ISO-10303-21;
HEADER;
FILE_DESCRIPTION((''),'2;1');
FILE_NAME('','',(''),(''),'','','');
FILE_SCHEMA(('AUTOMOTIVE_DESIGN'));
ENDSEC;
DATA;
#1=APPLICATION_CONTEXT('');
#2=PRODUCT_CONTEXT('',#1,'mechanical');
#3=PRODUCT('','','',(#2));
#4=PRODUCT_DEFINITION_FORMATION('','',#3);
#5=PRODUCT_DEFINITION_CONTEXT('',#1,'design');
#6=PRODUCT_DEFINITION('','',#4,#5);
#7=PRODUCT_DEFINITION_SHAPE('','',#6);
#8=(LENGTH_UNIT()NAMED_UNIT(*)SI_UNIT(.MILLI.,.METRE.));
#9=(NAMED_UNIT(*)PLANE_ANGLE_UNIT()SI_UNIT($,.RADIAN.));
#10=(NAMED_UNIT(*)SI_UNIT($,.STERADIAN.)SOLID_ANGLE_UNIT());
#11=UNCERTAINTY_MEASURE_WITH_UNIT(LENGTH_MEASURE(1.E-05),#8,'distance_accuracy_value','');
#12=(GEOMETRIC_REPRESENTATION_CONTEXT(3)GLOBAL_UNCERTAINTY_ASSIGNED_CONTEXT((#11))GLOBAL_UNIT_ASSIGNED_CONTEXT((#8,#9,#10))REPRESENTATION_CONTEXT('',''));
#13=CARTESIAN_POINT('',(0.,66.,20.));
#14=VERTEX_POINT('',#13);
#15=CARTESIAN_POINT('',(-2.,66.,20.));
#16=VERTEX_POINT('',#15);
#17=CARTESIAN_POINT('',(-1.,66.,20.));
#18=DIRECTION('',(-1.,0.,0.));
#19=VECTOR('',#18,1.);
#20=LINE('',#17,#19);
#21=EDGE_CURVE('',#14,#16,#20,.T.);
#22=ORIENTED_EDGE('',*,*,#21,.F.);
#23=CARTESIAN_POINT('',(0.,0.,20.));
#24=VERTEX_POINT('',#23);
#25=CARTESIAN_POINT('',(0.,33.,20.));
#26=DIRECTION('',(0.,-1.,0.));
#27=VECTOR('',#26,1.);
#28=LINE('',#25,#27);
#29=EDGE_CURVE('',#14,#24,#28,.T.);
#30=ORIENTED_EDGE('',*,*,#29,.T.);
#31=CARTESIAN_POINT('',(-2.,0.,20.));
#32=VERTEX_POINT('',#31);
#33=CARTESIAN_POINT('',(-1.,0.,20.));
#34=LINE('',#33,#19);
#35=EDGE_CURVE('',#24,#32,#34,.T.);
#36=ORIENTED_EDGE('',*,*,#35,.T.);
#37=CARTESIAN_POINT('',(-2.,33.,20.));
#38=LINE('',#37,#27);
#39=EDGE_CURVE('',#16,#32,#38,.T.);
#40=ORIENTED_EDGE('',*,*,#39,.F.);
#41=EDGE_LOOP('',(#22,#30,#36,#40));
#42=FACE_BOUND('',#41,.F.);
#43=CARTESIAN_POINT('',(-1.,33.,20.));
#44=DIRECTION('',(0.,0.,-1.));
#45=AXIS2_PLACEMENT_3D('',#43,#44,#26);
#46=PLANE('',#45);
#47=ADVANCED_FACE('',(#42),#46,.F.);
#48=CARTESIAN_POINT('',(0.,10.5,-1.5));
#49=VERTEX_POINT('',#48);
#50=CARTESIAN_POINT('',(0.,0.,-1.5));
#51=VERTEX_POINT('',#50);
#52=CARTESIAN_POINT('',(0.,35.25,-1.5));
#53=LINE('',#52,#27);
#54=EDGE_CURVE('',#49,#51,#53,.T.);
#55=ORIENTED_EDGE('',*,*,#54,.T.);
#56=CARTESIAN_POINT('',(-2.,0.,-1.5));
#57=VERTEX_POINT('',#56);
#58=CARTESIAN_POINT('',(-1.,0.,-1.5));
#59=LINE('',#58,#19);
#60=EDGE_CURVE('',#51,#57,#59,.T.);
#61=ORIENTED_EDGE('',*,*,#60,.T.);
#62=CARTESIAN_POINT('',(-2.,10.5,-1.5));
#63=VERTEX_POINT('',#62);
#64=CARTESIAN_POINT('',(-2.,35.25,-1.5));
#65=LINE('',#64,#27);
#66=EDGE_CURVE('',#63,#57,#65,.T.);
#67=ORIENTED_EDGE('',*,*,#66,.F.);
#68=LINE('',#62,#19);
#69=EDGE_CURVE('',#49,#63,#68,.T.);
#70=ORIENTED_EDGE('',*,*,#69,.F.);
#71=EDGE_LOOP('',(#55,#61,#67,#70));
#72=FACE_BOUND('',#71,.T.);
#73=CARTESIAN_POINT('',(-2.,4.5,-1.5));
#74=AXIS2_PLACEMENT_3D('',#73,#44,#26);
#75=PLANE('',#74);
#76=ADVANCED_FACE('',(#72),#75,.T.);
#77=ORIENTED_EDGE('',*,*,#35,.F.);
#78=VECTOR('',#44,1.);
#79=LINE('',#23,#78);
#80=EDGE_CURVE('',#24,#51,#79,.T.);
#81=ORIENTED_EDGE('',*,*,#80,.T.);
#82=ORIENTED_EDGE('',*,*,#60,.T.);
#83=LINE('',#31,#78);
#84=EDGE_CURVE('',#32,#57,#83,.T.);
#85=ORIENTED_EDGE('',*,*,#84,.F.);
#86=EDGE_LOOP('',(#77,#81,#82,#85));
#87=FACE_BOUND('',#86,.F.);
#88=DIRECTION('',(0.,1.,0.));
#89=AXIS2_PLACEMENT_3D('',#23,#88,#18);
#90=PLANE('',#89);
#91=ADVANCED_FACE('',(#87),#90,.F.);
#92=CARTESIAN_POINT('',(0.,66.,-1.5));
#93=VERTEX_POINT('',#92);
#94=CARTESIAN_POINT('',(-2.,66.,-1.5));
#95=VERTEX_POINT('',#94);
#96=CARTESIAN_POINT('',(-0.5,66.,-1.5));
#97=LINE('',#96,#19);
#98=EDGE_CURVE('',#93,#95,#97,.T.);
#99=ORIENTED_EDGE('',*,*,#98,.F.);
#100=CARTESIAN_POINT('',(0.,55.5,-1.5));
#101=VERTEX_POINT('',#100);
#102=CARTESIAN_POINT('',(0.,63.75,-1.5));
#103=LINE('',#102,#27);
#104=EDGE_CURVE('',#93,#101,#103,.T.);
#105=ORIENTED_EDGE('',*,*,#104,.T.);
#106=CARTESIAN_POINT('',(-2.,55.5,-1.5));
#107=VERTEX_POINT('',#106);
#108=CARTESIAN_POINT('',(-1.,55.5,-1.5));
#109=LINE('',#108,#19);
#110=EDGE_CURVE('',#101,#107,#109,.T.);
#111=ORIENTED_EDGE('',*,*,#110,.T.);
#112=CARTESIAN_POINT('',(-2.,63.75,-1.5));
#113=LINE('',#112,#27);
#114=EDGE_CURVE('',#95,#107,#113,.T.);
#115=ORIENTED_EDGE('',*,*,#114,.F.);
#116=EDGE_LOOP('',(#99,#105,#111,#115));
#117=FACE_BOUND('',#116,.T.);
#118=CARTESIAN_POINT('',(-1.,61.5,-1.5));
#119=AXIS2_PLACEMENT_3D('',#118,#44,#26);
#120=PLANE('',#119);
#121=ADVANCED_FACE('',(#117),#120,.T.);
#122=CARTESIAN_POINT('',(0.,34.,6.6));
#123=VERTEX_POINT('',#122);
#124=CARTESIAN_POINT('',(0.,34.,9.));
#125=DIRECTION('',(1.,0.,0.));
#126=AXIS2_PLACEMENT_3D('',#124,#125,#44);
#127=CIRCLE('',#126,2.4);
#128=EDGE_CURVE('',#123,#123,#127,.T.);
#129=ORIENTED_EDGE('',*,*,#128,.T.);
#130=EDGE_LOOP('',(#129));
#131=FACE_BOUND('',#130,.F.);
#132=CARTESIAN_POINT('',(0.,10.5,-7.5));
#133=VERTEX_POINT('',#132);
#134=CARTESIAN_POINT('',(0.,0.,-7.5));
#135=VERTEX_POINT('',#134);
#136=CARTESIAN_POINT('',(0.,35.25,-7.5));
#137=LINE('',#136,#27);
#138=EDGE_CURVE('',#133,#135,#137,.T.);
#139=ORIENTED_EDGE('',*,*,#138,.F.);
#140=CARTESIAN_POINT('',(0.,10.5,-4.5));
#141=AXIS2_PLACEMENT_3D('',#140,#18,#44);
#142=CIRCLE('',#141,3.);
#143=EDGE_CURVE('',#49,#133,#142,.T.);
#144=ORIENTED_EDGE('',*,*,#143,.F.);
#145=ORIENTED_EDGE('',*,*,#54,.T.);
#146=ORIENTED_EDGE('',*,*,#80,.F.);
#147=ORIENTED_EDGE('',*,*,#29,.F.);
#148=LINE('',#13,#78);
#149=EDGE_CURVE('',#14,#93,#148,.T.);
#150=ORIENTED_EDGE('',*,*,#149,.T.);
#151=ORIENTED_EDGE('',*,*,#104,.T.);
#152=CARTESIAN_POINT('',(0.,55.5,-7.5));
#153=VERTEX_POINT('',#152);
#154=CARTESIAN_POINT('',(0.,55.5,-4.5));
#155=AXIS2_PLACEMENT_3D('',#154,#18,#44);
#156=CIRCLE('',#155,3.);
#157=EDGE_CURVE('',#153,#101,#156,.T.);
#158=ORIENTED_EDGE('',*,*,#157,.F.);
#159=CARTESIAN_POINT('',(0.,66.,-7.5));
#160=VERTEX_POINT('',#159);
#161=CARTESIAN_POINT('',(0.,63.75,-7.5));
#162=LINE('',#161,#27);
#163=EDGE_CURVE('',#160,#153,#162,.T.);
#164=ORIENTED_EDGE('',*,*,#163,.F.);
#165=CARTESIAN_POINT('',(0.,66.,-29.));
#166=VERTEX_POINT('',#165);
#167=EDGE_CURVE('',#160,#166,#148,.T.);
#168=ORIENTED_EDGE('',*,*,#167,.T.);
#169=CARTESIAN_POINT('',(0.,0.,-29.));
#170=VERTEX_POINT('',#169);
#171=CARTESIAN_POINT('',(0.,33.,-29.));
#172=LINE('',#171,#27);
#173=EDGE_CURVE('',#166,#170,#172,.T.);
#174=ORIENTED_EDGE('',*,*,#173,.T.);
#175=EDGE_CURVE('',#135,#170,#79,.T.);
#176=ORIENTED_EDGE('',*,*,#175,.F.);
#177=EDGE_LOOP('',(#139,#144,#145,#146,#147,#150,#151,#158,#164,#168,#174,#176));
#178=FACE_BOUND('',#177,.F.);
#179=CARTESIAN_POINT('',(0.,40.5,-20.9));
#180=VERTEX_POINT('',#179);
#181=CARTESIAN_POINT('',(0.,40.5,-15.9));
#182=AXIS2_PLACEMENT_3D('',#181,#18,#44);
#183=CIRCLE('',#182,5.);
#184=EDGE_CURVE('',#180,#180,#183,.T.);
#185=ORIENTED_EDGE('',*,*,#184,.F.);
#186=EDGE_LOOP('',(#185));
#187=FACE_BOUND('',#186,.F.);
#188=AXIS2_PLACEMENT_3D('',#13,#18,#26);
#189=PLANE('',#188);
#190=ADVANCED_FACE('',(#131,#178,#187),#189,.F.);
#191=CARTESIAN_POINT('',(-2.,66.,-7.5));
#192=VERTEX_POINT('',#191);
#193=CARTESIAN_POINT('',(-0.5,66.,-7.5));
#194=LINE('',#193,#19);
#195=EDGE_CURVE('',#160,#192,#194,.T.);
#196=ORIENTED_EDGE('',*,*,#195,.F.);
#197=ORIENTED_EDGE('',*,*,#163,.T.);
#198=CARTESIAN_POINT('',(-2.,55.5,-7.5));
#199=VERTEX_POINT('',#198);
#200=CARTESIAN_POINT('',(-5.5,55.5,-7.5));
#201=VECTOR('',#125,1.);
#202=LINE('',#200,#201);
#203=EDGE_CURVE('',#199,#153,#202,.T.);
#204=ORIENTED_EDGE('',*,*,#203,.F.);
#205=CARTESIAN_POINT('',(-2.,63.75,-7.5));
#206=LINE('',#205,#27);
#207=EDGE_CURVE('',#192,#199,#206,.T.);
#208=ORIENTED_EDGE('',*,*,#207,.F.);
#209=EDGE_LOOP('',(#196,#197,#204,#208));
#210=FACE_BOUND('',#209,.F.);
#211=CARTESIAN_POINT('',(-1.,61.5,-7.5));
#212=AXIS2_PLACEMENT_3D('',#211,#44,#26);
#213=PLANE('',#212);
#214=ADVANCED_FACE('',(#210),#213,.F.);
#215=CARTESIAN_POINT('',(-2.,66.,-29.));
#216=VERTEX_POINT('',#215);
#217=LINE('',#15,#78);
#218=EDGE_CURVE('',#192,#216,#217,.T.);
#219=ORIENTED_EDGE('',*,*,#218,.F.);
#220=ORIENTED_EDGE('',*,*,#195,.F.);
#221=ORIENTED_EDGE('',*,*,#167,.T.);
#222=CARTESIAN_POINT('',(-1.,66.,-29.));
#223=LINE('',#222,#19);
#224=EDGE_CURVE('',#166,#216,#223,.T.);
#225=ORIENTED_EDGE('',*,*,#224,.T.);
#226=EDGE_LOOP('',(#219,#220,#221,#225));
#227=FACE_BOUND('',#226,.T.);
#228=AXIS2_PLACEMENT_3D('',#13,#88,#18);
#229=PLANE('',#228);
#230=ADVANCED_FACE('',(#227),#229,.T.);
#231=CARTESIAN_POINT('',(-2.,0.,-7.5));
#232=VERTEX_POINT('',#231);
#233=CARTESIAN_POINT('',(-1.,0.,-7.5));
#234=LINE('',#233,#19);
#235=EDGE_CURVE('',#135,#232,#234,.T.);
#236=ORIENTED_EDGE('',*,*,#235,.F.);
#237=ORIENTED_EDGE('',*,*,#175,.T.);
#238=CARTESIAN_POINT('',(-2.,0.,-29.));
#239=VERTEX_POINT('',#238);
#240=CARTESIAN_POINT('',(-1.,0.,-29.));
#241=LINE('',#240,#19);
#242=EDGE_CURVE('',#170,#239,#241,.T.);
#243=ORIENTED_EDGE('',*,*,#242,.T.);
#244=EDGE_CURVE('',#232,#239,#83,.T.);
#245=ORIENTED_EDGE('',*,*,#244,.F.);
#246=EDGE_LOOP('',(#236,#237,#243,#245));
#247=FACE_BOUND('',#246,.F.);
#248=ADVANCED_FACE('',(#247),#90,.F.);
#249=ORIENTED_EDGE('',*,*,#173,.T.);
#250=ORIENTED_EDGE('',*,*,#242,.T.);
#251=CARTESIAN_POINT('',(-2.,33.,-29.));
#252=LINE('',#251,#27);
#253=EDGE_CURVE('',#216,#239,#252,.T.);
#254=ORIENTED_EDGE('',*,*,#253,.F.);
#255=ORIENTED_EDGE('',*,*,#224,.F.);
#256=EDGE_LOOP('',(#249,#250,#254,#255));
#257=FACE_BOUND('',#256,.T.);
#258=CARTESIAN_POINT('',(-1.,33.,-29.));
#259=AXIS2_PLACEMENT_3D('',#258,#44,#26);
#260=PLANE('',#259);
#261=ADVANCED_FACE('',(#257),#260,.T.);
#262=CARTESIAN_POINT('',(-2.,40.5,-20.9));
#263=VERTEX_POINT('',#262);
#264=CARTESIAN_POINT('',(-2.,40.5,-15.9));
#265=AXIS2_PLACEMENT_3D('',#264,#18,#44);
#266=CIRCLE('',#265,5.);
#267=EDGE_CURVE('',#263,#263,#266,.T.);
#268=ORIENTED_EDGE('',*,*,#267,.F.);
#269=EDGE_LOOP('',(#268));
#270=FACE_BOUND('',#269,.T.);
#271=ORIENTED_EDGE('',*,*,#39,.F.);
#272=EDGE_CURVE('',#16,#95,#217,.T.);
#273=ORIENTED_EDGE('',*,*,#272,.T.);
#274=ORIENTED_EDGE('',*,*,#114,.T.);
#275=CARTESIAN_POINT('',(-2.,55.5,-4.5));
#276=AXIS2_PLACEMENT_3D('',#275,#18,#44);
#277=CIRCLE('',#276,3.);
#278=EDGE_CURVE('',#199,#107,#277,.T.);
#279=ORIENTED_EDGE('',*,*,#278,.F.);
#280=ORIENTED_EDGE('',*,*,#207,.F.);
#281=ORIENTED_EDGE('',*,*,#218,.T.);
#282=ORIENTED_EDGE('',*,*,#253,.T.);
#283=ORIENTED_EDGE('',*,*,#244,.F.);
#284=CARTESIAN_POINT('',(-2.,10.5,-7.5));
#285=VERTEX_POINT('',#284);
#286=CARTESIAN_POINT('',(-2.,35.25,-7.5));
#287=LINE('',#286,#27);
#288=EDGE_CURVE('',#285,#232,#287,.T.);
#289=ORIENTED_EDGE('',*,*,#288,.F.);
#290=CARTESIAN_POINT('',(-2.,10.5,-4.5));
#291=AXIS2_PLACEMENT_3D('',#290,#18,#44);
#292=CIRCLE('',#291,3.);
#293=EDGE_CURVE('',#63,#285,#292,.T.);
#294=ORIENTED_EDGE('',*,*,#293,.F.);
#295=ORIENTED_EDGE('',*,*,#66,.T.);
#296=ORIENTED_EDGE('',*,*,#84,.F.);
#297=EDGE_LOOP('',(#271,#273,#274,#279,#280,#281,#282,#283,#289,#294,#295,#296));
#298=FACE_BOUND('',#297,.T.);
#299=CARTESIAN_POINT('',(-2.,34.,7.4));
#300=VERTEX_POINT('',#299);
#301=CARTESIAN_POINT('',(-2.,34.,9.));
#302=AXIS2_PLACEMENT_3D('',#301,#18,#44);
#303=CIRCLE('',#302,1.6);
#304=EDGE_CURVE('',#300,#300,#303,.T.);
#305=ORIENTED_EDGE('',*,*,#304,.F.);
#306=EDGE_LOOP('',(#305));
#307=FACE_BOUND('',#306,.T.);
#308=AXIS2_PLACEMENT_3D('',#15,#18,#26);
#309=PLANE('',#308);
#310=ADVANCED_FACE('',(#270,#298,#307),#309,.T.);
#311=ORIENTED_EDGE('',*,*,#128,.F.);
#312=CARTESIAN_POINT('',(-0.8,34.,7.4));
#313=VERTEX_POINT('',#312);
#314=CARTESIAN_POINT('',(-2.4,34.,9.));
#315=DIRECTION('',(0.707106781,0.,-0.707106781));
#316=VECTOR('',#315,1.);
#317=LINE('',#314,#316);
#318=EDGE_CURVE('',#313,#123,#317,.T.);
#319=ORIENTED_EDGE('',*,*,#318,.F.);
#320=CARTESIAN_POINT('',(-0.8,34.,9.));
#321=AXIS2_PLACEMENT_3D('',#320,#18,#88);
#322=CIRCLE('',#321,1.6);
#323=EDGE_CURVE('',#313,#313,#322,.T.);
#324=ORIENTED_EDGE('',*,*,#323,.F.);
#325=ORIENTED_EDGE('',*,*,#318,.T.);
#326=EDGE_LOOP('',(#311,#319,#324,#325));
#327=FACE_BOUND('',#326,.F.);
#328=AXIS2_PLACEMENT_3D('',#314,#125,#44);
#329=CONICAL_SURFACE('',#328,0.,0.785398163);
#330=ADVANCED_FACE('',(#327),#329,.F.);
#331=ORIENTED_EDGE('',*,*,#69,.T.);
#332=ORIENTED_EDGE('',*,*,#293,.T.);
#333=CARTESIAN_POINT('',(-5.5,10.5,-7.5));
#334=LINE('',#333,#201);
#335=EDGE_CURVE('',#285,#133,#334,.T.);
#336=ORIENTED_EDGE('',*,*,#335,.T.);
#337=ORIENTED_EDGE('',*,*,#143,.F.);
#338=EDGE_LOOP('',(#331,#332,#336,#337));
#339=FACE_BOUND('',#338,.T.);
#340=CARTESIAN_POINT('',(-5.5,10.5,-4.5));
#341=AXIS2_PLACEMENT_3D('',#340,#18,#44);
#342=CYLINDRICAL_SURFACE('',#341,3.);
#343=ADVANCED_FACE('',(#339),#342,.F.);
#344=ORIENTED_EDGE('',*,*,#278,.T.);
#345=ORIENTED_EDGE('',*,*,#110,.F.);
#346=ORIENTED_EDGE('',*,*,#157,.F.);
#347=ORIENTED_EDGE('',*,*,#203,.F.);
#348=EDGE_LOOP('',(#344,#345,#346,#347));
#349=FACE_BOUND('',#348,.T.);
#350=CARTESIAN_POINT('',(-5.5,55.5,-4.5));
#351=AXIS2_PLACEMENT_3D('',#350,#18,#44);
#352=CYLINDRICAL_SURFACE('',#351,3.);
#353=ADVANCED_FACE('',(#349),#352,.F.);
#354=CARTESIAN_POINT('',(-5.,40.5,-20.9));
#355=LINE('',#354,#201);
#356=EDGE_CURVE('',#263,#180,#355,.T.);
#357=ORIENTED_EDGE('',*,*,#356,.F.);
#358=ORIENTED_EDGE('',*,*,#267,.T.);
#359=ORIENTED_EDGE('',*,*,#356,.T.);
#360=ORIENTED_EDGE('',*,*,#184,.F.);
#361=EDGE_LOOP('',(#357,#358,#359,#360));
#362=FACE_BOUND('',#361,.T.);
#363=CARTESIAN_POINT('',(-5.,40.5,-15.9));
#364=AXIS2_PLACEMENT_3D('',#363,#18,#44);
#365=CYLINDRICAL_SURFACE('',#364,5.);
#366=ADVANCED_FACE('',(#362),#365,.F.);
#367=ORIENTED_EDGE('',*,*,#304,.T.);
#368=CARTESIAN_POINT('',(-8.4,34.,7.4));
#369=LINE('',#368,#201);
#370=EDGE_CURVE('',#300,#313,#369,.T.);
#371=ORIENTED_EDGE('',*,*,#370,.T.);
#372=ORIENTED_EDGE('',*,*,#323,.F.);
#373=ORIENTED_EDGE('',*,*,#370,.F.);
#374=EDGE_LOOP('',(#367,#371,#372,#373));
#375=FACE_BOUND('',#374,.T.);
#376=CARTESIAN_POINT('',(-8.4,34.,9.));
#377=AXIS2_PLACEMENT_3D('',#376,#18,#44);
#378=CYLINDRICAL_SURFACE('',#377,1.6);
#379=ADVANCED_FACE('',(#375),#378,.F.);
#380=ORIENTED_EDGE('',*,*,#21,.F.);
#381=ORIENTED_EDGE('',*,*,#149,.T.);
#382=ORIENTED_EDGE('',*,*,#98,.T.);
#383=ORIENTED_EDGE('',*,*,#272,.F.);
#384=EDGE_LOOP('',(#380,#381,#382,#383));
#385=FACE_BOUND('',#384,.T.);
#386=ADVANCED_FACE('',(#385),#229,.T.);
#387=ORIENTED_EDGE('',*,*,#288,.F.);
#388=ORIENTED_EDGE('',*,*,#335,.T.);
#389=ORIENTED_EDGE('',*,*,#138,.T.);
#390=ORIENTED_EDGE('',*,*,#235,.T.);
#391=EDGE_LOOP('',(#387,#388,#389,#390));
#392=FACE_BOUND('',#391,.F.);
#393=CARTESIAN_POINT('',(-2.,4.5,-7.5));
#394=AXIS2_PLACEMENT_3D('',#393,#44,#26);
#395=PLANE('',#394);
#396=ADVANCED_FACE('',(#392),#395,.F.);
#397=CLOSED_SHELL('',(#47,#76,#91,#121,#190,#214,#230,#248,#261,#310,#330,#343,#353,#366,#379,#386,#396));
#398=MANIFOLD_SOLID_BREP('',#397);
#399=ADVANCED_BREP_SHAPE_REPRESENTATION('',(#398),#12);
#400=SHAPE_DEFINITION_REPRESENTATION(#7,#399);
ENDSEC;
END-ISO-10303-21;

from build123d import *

# Parameters (mm, degrees)
CYLINDER003_R          = 1.6
CYLINDER003_DEPTH      = 10
FUSION_PLACEMENT_ANGLE = 90
BOX002_W               = 12
BOX002_H               = 10
BOX002_DEPTH           = 6
BOX001_W               = 12
BOX001_H               = 10
BOX001_DEPTH           = 6
CYLINDER002_R          = 3
CYLINDER002_DEPTH      = 10
CYLINDER001_R          = 5
CYLINDER001_DEPTH      = 10
CYLINDER_R             = 3
CYLINDER_DEPTH         = 10
BOX_W                  = 66
BOX_H                  = 2
BOX_DEPTH              = 49


with BuildPart() as zylinder003:
    # Cylinder003 → Cylinder003 (new body)
    with BuildSketch(Plane.XY.offset(-6)):
        Circle(CYLINDER003_R)
    extrude(amount=CYLINDER003_DEPTH)


with BuildPart() as fusion:
    # Cone003 → Cone003 (revolve)
    with BuildSketch(Plane.XZ):
        Polygon((0, 0), (4, 4), (0, 4), align=None)
    revolve(axis=Axis((0, 0, 0), (0, 0, 1)))

    # Fusion: union Zylinder003
    add(zylinder003.part)


with BuildPart() as fusion_1:
    # Fusion placement: moved
    add(fusion.part.moved(Location((-2.4, 34, 9))).rotate(Axis((-2.4, 34, 9), (0, 1, 0)), FUSION_PLACEMENT_ANGLE))


with BuildPart() as w_rfel002:
    # Box002 → Box002 (new body)
    with BuildSketch(Plane(origin=(4, 67.5, -1.5), x_dir=(0, -1, 0), z_dir=(0, 0, -1))):
        with Locations((6, 5)):
            Rectangle(BOX002_W, BOX002_H)
    extrude(amount=BOX002_DEPTH)


with BuildPart() as w_rfel001:
    # Box001 → Box001 (new body)
    with BuildSketch(Plane(origin=(3, 10.5, -1.5), x_dir=(0, -1, 0), z_dir=(0, 0, -1))):
        with Locations((6, 5)):
            Rectangle(BOX001_W, BOX001_H)
    extrude(amount=BOX001_DEPTH)


with BuildPart() as zylinder002:
    # Cylinder002 → Cylinder002 (new body)
    with BuildSketch(Plane(origin=(-5.5, 55.5, -4.5), x_dir=(0, 0, -1), z_dir=(1, 0, 0))):
        Circle(CYLINDER002_R)
    extrude(amount=CYLINDER002_DEPTH)


with BuildPart() as zylinder001:
    # Cylinder001 → Cylinder001 (new body)
    with BuildSketch(Plane(origin=(-5, 40.5, -15.9), x_dir=(0, 0, -1), z_dir=(1, 0, 0))):
        Circle(CYLINDER001_R)
    extrude(amount=CYLINDER001_DEPTH)


with BuildPart() as zylinder:
    # Cylinder → Cylinder (new body)
    with BuildSketch(Plane(origin=(-5.5, 10.5, -4.5), x_dir=(0, 0, -1), z_dir=(1, 0, 0))):
        Circle(CYLINDER_R)
    extrude(amount=CYLINDER_DEPTH)


with BuildPart() as cut005:
    # Box → Box (new body)
    with BuildSketch(Plane(origin=(0, 66, 20), x_dir=(0, -1, 0), z_dir=(0, 0, -1))):
        with Locations((33, 1)):
            Rectangle(BOX_W, BOX_H)
    extrude(amount=BOX_DEPTH)

    # Cut: cut Zylinder
    add(zylinder.part, mode=Mode.SUBTRACT)

    # Cut001: cut Zylinder001
    add(zylinder001.part, mode=Mode.SUBTRACT)

    # Cut002: cut Zylinder002
    add(zylinder002.part, mode=Mode.SUBTRACT)

    # Cut003: cut Würfel001
    add(w_rfel001.part, mode=Mode.SUBTRACT)

    # Cut004: cut Würfel002
    add(w_rfel002.part, mode=Mode.SUBTRACT)

    # Cut005: cut Fusion
    add(fusion_1.part, mode=Mode.SUBTRACT)


solid = cut005.part
